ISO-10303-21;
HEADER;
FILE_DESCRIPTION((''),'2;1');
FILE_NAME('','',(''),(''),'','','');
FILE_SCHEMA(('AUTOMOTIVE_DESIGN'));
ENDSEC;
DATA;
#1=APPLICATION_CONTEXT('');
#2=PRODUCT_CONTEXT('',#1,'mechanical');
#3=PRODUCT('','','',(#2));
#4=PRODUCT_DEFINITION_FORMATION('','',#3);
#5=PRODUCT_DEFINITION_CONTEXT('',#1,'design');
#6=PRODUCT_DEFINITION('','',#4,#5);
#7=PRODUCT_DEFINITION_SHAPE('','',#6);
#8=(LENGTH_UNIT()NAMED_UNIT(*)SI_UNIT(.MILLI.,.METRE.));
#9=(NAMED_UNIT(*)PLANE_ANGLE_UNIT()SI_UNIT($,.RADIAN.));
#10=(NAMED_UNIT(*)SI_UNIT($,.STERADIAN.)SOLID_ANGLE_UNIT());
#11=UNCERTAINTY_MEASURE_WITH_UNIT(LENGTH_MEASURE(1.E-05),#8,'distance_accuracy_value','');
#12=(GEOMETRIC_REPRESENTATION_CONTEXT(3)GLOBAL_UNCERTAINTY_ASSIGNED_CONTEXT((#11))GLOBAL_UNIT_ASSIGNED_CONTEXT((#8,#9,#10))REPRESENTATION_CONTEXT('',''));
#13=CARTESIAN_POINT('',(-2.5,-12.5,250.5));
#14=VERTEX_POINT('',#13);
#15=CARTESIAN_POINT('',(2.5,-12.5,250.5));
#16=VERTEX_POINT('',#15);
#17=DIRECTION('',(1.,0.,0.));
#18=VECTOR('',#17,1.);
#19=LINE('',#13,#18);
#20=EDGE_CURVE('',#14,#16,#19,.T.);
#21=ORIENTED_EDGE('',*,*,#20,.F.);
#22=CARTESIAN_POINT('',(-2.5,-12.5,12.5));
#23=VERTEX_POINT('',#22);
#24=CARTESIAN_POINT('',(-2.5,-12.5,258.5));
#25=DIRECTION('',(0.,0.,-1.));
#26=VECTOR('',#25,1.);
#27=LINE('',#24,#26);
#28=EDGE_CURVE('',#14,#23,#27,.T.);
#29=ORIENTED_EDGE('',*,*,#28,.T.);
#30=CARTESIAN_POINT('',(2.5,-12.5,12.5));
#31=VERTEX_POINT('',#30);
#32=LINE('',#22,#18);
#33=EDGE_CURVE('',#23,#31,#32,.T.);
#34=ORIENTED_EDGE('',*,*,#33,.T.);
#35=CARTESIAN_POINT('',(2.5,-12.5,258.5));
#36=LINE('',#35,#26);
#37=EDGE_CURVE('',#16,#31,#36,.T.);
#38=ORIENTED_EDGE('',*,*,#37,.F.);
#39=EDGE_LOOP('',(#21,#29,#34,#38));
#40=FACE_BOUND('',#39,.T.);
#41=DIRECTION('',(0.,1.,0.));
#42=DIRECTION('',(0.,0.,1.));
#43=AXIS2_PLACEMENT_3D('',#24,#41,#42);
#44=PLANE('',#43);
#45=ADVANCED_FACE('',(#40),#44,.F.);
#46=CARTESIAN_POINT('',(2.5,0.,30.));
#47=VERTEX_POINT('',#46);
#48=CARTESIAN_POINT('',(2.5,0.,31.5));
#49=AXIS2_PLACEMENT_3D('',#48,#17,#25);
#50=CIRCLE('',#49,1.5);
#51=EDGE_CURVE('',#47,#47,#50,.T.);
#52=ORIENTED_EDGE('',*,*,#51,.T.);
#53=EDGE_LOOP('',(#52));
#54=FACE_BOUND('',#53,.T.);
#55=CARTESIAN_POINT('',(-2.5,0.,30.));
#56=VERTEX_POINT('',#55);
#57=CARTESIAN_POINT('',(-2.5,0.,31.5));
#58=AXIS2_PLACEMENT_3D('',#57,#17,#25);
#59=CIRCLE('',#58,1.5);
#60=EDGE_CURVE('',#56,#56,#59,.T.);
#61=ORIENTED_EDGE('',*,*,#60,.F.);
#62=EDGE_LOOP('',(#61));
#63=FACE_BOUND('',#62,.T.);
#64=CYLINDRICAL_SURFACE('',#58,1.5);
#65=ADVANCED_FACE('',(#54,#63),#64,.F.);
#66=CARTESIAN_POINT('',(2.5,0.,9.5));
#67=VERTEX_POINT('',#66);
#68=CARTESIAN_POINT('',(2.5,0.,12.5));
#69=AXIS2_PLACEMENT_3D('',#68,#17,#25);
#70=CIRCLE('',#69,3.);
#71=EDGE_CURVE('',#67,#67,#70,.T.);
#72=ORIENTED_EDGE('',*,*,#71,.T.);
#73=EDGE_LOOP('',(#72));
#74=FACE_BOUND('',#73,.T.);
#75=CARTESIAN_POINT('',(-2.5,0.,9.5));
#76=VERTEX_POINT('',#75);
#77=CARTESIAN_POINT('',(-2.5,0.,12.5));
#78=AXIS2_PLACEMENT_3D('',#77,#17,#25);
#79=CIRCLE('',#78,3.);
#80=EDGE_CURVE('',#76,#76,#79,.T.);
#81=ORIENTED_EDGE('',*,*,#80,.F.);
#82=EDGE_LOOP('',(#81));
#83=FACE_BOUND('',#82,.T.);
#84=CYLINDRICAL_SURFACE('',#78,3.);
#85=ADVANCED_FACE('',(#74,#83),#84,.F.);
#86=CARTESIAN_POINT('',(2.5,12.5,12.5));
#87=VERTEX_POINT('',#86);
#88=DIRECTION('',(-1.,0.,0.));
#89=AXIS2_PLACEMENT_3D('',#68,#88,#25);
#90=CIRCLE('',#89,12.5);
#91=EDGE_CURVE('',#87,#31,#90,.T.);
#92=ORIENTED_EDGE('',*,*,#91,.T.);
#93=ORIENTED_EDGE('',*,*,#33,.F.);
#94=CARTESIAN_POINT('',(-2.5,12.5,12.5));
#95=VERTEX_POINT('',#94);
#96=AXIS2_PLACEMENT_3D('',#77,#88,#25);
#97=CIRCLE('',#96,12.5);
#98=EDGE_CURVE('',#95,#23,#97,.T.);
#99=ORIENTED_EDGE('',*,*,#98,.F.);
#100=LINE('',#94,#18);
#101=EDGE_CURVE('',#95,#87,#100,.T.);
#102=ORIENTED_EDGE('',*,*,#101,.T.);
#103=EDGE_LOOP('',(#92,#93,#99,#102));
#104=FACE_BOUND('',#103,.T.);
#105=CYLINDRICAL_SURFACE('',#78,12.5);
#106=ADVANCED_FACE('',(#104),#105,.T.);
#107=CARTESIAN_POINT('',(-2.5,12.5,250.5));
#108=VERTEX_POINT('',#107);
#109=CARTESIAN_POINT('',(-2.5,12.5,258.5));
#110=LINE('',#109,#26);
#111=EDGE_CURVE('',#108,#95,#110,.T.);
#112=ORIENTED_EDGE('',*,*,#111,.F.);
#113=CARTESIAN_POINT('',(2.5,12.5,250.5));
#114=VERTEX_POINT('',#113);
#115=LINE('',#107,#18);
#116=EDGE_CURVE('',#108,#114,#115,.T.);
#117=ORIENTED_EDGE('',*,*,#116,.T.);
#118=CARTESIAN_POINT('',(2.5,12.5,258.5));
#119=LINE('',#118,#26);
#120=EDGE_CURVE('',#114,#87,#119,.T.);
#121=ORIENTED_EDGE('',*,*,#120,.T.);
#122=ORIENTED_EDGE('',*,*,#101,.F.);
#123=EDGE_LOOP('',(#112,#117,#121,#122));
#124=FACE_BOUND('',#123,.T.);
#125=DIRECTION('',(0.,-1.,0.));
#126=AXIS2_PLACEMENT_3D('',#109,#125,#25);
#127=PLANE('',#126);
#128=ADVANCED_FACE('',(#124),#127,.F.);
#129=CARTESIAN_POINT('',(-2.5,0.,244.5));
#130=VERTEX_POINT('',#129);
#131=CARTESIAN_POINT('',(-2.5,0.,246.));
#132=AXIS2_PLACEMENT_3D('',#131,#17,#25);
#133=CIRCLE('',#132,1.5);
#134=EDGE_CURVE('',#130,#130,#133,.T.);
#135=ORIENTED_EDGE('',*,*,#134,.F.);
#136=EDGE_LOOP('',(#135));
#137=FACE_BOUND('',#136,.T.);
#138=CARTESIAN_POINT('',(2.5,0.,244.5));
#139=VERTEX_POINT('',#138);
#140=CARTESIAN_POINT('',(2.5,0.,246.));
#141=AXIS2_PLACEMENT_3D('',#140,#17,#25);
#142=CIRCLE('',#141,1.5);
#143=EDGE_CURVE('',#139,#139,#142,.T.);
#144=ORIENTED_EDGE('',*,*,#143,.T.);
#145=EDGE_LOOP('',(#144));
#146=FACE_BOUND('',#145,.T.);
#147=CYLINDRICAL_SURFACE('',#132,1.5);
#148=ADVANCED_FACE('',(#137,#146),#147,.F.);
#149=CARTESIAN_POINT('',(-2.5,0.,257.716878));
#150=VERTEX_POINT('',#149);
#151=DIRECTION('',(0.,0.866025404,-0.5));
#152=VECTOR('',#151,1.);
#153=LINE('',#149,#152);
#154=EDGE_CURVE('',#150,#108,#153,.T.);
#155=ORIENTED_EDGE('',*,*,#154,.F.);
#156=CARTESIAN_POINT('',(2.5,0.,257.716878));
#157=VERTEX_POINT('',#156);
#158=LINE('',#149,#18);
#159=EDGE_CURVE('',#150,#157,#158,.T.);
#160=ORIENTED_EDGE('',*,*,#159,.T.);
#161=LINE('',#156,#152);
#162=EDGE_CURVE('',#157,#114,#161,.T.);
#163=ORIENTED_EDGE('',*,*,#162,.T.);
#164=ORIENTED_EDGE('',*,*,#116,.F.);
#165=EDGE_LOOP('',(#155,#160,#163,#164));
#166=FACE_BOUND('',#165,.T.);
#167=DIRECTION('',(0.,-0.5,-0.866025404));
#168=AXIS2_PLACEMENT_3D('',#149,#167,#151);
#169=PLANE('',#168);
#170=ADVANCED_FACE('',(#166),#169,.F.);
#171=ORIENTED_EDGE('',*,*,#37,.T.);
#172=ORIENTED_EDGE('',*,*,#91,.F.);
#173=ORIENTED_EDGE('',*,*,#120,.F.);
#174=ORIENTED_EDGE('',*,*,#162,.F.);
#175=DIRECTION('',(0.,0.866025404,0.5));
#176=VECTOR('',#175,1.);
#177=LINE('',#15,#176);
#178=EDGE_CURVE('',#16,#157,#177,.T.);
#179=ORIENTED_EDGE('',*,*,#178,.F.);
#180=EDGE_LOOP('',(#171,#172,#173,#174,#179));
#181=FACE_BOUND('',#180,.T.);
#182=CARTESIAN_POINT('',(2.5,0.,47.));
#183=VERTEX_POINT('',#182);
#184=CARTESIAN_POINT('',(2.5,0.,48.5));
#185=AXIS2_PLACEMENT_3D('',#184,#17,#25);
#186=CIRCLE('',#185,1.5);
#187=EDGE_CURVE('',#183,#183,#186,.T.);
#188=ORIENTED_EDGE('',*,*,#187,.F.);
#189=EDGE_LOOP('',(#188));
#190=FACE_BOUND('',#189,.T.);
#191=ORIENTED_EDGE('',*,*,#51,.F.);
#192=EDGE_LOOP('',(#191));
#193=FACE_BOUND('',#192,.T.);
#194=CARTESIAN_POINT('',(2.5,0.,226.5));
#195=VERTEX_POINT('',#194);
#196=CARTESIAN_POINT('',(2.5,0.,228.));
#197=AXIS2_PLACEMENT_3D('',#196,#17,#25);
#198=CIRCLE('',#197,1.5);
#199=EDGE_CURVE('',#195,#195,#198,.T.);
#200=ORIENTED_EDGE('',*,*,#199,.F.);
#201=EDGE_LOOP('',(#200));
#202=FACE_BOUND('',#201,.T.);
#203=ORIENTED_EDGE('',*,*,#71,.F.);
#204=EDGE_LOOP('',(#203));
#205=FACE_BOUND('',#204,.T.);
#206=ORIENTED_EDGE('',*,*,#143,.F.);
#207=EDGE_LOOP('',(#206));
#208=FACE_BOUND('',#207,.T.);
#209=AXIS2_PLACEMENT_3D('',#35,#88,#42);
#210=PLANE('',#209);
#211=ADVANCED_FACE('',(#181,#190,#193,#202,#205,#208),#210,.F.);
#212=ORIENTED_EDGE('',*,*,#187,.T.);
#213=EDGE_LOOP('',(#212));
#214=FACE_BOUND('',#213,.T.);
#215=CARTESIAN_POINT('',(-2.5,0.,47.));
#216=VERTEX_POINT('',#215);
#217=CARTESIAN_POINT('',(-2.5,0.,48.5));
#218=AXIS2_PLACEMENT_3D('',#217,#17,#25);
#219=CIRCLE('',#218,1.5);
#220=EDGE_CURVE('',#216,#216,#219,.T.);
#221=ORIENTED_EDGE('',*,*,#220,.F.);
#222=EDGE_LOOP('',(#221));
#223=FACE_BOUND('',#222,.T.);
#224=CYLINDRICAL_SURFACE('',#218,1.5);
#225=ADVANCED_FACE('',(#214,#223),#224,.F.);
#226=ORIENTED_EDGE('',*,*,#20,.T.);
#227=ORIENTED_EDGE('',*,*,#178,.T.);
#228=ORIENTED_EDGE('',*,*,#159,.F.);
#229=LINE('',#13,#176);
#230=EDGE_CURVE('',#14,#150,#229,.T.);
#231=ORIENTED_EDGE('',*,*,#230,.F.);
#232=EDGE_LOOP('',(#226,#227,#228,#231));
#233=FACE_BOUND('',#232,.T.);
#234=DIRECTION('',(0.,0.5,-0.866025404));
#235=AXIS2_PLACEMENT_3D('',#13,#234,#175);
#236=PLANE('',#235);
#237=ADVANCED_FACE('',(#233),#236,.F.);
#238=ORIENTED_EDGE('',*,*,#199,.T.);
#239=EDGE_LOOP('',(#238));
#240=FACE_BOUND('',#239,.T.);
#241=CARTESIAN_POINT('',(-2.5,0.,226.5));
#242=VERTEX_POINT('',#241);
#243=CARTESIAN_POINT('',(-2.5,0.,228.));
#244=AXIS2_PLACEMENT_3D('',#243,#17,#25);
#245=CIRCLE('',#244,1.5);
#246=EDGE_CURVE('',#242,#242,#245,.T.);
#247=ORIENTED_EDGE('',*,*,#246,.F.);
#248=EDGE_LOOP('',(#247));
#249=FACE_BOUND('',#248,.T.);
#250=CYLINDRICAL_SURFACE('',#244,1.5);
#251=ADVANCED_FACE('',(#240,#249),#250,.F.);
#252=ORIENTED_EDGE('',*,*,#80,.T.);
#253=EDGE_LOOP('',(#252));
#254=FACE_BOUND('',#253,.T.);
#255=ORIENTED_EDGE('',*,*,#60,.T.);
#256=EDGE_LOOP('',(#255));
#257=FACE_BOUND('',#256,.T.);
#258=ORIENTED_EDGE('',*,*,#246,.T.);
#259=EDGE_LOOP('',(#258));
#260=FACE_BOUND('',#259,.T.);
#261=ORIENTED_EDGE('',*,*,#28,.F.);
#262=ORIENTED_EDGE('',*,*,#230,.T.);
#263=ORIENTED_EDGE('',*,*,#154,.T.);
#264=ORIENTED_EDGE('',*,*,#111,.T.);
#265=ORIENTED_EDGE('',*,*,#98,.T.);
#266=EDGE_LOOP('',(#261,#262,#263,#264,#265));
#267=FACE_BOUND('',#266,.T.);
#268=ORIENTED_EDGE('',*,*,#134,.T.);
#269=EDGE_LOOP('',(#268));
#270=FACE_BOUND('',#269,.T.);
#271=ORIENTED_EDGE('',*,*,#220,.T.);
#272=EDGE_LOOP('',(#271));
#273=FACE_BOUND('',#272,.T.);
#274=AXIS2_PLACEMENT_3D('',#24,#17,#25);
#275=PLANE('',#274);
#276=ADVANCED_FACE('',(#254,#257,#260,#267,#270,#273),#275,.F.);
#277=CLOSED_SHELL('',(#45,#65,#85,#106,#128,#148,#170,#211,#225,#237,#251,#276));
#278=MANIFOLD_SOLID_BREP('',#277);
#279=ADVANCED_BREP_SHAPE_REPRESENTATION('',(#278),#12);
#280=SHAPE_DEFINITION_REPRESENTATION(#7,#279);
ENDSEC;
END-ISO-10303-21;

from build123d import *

# Parameters (mm, degrees)
SKETCH1_W           = 5
SKETCH1_H           = 25
BOSS_EXTRUDE1_DEPTH = 258.5
SKETCH2_R           = 3
SKETCH2_R_2         = 1.5
CUT_EXTRUDE1_DEPTH  = 259.850342862


with BuildPart() as part:
    # Sketch1 → Boss-Extrude1 (new body)
    with BuildSketch(Plane.XY):
        Rectangle(SKETCH1_W, SKETCH1_H)
    extrude(amount=BOSS_EXTRUDE1_DEPTH)

    # Sketch2 → Cut-Extrude1 (cut, through all)
    with BuildSketch(Plane(origin=(2.5, 0, 0), x_dir=(0, 0, -1), z_dir=(1, 0, 0))):
        with Locations((-12.5, 0)):
            Circle(SKETCH2_R)
        with Locations((-246, 0)):
            Circle(SKETCH2_R_2)
        with Locations((-228, 0)):
            Circle(SKETCH2_R_2)
        with Locations((-48.5, 0)):
            Circle(SKETCH2_R_2)
        with Locations((-31.5, 0)):
            Circle(SKETCH2_R_2)
        with BuildLine():
            Line((-12.5, 12.5), (5.5, 12.5))
            Line((5.5, 12.5), (5.5, -12.5))
            Line((5.5, -12.5), (-12.5, -12.5))
            ThreePointArc((-12.5, -12.5), (0, 0), (-12.5, 12.5))
        make_face()
        Polygon((-257.716878365, 0), (-250.5, 12.5), (-258.5, 12.5), (-258.5, -12.5), (-250.5, -12.5), align=None)
    extrude(amount=-CUT_EXTRUDE1_DEPTH, mode=Mode.SUBTRACT)


solid = part.part
